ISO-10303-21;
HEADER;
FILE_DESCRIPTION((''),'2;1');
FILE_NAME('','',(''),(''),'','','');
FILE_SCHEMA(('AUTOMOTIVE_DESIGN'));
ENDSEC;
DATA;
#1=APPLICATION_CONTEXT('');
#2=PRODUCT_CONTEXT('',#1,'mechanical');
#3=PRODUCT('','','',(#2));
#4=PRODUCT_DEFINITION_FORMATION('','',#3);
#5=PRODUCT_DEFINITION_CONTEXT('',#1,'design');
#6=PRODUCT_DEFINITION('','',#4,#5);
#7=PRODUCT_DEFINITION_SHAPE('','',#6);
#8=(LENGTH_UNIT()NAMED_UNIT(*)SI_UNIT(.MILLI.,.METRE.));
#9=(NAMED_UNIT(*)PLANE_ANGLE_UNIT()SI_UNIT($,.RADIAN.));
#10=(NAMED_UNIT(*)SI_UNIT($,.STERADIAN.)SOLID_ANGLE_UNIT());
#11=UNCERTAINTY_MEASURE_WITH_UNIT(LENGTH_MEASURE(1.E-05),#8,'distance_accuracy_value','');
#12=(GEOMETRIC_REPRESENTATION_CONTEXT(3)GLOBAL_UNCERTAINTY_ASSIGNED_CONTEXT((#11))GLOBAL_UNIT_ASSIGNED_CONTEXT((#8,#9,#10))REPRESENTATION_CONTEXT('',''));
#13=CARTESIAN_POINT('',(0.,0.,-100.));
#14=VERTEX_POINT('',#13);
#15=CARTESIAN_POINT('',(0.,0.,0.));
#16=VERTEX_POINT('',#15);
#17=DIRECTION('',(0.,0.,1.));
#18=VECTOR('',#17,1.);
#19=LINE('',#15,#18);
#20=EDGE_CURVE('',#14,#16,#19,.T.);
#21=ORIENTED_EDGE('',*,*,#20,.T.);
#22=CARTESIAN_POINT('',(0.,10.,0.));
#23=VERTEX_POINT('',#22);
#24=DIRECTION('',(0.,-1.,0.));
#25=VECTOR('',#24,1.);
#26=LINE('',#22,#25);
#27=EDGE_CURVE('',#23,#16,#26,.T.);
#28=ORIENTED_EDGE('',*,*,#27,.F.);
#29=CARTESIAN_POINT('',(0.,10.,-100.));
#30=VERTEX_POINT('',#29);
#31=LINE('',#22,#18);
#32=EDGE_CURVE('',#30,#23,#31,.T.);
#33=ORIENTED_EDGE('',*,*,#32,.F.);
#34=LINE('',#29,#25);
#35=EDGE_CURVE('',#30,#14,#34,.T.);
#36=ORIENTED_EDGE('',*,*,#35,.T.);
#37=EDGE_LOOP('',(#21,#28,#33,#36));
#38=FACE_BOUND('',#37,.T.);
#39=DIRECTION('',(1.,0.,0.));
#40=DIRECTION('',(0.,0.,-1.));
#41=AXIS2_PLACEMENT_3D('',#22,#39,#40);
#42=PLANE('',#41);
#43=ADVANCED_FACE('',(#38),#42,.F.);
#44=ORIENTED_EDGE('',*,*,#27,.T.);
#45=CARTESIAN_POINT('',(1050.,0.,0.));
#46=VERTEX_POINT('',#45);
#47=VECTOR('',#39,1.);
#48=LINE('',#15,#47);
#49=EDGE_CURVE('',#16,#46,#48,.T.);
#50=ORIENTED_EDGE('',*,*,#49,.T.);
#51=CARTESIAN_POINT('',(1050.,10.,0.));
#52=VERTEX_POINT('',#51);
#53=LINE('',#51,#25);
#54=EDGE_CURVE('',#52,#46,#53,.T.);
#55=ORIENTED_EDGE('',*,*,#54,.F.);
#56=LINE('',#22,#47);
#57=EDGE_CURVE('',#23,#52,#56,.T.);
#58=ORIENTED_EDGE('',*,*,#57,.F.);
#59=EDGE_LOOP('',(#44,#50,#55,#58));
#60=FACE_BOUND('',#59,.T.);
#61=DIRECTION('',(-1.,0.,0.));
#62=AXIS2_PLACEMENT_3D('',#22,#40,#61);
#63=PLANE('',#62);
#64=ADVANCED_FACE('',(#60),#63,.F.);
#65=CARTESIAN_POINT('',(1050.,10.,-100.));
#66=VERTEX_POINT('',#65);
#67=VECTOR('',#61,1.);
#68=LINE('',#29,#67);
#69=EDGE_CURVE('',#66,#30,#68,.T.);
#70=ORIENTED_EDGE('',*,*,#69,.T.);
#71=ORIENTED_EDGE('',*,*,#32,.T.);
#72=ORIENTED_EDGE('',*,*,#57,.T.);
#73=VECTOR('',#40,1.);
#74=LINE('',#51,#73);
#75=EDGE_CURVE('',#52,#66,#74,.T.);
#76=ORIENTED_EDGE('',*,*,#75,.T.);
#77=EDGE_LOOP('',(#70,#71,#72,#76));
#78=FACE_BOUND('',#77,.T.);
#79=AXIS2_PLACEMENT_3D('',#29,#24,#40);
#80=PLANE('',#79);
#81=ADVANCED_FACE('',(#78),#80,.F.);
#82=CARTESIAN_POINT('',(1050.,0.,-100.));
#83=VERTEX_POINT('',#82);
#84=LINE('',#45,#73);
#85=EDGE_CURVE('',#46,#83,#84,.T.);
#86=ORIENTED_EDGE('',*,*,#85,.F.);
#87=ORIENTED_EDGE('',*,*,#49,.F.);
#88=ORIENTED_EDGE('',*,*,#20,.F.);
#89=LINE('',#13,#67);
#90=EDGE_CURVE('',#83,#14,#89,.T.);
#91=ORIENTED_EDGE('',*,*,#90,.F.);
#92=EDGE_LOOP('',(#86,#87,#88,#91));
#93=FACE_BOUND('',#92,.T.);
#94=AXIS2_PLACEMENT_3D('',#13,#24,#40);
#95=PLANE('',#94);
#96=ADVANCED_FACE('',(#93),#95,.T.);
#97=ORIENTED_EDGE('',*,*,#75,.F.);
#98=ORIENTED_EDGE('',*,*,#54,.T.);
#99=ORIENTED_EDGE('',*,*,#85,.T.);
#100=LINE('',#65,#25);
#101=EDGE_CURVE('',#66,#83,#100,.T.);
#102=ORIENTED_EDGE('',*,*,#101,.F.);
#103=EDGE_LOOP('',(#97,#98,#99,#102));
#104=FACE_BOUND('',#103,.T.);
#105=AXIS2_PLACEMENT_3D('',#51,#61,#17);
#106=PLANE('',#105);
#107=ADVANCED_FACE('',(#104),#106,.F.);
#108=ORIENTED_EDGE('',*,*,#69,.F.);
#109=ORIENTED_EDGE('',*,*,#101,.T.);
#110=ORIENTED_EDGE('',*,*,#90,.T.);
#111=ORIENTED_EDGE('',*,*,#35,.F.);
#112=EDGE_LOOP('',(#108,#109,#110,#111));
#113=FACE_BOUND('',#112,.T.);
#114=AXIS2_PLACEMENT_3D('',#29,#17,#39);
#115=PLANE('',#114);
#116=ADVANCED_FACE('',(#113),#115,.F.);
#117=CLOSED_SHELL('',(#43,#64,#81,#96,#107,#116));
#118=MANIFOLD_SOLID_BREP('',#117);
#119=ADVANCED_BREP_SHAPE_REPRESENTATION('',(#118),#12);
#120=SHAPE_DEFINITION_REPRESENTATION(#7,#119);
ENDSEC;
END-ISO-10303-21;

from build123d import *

# Parameters (mm, degrees)
ESQUISSE1_W      = 1050
ESQUISSE1_H      = 100
EXTRUSION1_DEPTH = 10


with BuildPart() as part:
    # Esquisse1 → Extrusion1 (new body)
    with BuildSketch(Plane(origin=(0, 0, 0), x_dir=(1, 0, 0), z_dir=(0, 1, 0))):
        with Locations((525, 50)):
            Rectangle(ESQUISSE1_W, ESQUISSE1_H)
    extrude(amount=EXTRUSION1_DEPTH)


solid = part.part
